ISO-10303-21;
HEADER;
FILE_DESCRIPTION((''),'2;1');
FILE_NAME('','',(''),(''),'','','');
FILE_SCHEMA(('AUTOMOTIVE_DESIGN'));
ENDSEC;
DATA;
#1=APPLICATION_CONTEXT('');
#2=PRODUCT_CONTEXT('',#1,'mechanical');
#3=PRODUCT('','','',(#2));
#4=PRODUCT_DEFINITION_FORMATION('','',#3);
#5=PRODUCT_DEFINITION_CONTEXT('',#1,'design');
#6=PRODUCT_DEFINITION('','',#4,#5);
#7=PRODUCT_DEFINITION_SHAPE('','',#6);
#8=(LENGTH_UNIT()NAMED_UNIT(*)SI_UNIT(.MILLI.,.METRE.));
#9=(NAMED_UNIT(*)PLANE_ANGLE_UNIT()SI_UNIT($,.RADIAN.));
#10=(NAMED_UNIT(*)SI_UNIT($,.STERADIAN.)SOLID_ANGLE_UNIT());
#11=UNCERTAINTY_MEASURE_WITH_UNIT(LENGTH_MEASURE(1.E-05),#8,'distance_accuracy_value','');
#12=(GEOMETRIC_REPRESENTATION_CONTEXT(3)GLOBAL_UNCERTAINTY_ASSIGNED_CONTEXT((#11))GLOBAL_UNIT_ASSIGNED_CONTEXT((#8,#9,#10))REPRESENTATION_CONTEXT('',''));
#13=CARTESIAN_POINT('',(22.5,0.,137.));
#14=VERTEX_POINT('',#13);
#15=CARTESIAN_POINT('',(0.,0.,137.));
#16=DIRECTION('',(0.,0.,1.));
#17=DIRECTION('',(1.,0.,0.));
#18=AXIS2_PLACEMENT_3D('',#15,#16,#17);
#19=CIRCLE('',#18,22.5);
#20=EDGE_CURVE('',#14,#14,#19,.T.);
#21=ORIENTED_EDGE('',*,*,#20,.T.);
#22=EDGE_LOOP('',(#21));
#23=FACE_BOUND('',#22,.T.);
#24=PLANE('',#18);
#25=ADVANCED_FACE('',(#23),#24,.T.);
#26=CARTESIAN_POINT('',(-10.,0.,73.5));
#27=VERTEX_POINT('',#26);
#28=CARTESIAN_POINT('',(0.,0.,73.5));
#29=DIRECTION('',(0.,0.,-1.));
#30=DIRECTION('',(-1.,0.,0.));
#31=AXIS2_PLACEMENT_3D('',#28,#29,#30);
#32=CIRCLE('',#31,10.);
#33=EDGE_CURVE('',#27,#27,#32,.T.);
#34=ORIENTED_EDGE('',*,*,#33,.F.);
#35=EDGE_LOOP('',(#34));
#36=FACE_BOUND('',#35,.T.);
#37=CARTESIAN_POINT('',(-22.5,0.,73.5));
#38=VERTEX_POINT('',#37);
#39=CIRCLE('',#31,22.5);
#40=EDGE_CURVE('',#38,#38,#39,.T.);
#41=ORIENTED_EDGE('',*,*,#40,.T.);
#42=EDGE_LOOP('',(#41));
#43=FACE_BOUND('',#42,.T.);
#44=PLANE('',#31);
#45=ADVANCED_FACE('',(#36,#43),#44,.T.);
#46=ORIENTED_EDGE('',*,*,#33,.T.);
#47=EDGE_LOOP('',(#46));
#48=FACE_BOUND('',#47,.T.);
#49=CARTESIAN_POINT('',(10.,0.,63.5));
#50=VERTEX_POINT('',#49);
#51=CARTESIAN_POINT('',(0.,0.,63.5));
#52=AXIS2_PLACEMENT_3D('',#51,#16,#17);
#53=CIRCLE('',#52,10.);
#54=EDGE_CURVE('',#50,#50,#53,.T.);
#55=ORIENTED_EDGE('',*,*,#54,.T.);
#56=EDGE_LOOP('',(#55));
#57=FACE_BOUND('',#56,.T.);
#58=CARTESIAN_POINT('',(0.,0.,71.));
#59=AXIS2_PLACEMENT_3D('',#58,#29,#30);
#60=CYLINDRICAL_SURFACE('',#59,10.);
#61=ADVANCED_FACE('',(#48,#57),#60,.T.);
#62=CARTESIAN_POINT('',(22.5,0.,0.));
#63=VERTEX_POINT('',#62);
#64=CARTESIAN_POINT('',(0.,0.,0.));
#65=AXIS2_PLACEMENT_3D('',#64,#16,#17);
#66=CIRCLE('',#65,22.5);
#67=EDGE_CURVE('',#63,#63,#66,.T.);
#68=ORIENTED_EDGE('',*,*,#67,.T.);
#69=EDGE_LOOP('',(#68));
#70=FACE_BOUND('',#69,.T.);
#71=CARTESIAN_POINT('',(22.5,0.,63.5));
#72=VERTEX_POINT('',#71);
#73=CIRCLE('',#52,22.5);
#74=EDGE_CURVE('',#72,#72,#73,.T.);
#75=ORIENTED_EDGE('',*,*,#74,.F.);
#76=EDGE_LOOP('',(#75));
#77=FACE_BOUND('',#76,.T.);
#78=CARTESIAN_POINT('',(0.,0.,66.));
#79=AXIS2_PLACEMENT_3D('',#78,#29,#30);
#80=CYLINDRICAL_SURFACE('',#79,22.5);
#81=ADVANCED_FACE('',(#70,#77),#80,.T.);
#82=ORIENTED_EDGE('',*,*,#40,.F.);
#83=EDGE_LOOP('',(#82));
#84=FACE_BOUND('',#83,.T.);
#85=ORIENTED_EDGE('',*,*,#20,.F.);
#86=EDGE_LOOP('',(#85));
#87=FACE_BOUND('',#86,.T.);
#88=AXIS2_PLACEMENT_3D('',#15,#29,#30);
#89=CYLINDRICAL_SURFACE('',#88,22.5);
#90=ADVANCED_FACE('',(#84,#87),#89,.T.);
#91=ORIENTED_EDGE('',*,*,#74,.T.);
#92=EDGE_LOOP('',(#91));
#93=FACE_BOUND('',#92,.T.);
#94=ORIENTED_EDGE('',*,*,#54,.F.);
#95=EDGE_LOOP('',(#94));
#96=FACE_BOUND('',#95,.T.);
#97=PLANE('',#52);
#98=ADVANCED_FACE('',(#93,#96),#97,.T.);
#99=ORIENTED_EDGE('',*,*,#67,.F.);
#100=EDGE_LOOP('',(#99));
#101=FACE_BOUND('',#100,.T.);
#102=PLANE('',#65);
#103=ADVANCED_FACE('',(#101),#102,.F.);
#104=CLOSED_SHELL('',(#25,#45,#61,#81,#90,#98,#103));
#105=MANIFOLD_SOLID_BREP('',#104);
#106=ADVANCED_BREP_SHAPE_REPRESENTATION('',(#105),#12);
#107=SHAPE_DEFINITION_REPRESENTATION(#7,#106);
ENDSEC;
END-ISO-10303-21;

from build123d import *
from build123d.topology import SkipClean

# Parameters (mm, degrees)
SKETCH1_R           = 22.5
BOSS_EXTRUDE1_DEPTH = 66
SKETCH2_R           = 10
BOSS_EXTRUDE2_DEPTH = 5
SKETCH3_R           = 22.5
BOSS_EXTRUDE3_DEPTH = 66
SKETCH4_R           = 22.5
SKETCH4_R_2         = 10
CUT_EXTRUDE2_DEPTH  = 2.5
CUT_EXTRUDE3_START  = -2.5
SKETCH5_R           = 22.5
SKETCH5_R_2         = 10
CUT_EXTRUDE3_DEPTH  = 2.5


with BuildPart() as part:
    # Sketch1 → Boss-Extrude1 (new body)
    with BuildSketch(Plane.XY):
        Circle(SKETCH1_R)
    extrude(amount=BOSS_EXTRUDE1_DEPTH)

    # Sketch2 → Boss-Extrude2 (add)
    with BuildSketch(Plane.XY.offset(66)):
        Circle(SKETCH2_R)
    extrude(amount=BOSS_EXTRUDE2_DEPTH)

    # Sketch3 → Boss-Extrude3 (add)
    with BuildSketch(Plane.XY.offset(71)):
        Circle(SKETCH3_R)
    extrude(amount=BOSS_EXTRUDE3_DEPTH)

    # Sketch4 → Cut-Extrude2 (cut)
    with SkipClean():  # the faces are left unmerged after this step: merging them gives an invalid solid
        with BuildSketch(Plane(origin=(0, 0, 71), x_dir=(-1, 0, 0), z_dir=(0, 0, -1))):
            with Locations(Location((0, 0, 0), (0, 0, 180))):
                Circle(SKETCH4_R)
            Circle(SKETCH4_R_2, mode=Mode.SUBTRACT)
        extrude(amount=-CUT_EXTRUDE2_DEPTH, mode=Mode.SUBTRACT)

    # Sketch5 → Cut-Extrude3 (cut)
    with SkipClean():  # the faces are left unmerged after this step: merging them gives an invalid solid
        with BuildSketch(Plane.XY.offset(66).offset(CUT_EXTRUDE3_START)):
            with Locations(Location((0, 0, 0), (0, 0, 180))):
                Circle(SKETCH5_R)
            with Locations(Location((0, 0, 0), (0, 0, 180))):
                Circle(SKETCH5_R_2, mode=Mode.SUBTRACT)
        extrude(amount=CUT_EXTRUDE3_DEPTH, mode=Mode.SUBTRACT)


solid = part.part
